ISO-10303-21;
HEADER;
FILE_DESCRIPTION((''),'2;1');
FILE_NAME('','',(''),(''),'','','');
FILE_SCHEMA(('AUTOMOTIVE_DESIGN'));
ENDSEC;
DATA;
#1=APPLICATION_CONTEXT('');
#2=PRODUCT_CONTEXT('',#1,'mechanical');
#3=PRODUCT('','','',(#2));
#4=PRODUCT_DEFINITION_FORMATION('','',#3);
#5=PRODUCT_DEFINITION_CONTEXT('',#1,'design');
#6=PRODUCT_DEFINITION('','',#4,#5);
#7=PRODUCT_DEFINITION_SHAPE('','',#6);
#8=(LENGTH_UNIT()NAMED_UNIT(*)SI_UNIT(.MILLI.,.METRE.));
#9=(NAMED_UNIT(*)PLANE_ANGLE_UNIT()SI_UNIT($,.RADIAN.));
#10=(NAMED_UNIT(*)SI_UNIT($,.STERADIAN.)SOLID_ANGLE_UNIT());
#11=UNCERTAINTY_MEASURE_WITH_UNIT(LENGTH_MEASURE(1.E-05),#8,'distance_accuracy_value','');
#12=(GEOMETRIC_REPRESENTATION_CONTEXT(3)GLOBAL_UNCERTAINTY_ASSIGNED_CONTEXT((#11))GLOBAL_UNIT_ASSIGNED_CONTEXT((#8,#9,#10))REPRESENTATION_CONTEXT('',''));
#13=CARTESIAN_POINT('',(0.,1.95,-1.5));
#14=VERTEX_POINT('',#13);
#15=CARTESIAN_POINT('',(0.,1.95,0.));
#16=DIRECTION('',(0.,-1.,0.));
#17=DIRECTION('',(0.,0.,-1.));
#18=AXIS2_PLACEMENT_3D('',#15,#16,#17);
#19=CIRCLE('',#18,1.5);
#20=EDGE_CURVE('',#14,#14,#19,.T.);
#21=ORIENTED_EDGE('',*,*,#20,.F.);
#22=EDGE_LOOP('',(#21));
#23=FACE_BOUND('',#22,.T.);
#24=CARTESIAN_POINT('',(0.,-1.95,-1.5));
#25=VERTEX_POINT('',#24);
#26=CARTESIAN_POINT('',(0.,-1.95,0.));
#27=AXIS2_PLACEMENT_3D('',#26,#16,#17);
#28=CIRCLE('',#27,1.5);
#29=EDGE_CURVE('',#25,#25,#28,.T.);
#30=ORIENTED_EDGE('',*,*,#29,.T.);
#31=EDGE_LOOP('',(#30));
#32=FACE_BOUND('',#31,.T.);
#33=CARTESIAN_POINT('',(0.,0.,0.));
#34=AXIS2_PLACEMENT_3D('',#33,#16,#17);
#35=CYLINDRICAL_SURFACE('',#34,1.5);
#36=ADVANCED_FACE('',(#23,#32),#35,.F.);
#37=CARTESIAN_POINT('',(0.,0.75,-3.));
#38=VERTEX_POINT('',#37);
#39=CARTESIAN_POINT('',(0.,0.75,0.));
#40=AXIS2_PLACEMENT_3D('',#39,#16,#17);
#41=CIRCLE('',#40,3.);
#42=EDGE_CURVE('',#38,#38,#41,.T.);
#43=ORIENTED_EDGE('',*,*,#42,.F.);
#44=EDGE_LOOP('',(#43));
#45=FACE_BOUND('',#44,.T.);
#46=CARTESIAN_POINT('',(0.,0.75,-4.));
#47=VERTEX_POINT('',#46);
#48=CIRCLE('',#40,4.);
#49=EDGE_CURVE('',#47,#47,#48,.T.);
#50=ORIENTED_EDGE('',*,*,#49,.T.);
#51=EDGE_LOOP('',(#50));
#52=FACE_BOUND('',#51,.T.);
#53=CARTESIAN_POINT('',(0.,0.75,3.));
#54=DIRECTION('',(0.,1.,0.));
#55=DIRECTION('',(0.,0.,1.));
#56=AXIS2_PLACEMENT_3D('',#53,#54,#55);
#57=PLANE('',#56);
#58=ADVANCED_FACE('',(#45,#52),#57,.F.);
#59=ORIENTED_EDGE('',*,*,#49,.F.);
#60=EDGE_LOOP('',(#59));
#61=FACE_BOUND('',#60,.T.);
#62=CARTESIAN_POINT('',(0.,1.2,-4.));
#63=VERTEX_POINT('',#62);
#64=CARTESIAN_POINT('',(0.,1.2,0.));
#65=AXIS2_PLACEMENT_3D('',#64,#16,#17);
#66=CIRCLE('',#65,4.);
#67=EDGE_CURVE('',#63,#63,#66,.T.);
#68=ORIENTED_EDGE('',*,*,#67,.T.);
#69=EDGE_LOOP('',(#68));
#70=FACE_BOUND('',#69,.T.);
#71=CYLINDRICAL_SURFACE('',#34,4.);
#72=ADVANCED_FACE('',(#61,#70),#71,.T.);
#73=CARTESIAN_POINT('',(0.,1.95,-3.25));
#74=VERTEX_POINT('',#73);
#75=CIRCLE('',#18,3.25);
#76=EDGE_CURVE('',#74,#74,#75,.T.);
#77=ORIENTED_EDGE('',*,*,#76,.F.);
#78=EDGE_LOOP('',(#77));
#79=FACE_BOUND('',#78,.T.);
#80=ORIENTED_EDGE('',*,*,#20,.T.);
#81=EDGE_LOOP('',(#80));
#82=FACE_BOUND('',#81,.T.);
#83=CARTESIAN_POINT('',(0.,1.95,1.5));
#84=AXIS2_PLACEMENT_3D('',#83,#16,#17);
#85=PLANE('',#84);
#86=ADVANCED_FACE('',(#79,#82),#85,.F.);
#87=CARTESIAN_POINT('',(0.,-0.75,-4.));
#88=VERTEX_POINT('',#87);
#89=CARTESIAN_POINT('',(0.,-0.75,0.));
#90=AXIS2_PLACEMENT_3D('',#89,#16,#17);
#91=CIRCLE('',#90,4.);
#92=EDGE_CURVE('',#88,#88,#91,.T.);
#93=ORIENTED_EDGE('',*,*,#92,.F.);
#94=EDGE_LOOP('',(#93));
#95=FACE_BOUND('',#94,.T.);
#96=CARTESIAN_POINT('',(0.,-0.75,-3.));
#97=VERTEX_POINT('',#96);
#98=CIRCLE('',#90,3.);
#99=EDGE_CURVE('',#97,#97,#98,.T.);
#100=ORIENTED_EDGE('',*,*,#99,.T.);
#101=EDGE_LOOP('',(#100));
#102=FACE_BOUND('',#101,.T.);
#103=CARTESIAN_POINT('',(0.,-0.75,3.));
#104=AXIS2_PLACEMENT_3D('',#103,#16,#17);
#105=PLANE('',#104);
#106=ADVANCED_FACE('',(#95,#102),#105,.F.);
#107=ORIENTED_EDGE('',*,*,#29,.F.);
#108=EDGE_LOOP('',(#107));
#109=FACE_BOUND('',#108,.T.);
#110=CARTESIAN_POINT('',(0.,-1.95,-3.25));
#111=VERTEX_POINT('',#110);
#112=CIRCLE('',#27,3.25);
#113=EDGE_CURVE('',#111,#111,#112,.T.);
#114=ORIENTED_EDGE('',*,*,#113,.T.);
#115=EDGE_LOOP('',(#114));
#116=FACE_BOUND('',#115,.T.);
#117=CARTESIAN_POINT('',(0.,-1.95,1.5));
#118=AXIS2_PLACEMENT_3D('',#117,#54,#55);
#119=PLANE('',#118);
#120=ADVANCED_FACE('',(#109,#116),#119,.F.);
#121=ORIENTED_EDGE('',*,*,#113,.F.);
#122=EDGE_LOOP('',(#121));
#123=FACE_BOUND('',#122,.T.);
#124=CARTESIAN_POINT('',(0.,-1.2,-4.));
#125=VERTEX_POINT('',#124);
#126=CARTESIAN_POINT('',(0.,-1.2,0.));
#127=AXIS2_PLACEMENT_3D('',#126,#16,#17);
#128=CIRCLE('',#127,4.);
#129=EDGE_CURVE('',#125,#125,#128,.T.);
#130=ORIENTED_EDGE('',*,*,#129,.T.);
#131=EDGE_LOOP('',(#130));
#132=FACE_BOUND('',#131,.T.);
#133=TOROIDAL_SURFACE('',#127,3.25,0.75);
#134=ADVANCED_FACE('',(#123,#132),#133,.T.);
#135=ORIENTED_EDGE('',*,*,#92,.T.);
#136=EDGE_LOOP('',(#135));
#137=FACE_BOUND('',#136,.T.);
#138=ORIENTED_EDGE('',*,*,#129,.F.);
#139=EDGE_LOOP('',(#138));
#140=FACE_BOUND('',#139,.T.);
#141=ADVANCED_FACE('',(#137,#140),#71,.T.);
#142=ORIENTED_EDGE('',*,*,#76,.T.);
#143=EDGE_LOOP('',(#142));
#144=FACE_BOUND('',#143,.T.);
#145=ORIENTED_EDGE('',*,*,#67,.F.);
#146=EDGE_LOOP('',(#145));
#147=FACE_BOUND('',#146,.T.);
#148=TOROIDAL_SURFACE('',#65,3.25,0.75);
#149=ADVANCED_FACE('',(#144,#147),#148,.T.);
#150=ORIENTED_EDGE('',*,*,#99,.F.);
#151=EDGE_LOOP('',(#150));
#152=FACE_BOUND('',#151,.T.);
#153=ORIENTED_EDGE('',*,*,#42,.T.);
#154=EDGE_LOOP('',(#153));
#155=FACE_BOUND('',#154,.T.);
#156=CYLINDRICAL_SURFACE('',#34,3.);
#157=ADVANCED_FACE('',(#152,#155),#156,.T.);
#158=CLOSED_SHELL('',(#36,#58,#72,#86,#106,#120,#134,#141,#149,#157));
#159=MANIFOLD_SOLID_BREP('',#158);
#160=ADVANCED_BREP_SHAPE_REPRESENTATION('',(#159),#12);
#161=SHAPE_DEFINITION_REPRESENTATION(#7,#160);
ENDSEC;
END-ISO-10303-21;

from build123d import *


with BuildPart() as part:
    # Sketch1 → Revolve1 (revolve)
    with BuildSketch(Plane(origin=(0, 0, 0), x_dir=(0, 0, -1), z_dir=(1, 0, 0)), mode=Mode.PRIVATE) as revolve1_sk:
        with BuildLine():
            Line((-1.5, -1.95), (-1.5, 1.95))
            Line((-1.5, 1.95), (-3.25, 1.95))
            ThreePointArc((-3.25, 1.95), (-3.780330086, 1.730330086), (-4, 1.2))
            Line((-4, 1.2), (-4, 0.75))
            Line((-4, 0.75), (-3, 0.75))
            Line((-3, 0.75), (-3, -0.75))
            Line((-3, -0.75), (-4, -0.75))
            Line((-4, -0.75), (-4, -1.2))
            ThreePointArc((-4, -1.2), (-3.780330086, -1.730330086), (-3.25, -1.95))
            Line((-3.25, -1.95), (-1.5, -1.95))
        make_face()
    revolve(revolve1_sk.sketch.rotate(Axis((0, 0, 0), (0, 1, 0)), 180), axis=Axis((0, 0, 0), (0, 1, 0)))


solid = part.part
